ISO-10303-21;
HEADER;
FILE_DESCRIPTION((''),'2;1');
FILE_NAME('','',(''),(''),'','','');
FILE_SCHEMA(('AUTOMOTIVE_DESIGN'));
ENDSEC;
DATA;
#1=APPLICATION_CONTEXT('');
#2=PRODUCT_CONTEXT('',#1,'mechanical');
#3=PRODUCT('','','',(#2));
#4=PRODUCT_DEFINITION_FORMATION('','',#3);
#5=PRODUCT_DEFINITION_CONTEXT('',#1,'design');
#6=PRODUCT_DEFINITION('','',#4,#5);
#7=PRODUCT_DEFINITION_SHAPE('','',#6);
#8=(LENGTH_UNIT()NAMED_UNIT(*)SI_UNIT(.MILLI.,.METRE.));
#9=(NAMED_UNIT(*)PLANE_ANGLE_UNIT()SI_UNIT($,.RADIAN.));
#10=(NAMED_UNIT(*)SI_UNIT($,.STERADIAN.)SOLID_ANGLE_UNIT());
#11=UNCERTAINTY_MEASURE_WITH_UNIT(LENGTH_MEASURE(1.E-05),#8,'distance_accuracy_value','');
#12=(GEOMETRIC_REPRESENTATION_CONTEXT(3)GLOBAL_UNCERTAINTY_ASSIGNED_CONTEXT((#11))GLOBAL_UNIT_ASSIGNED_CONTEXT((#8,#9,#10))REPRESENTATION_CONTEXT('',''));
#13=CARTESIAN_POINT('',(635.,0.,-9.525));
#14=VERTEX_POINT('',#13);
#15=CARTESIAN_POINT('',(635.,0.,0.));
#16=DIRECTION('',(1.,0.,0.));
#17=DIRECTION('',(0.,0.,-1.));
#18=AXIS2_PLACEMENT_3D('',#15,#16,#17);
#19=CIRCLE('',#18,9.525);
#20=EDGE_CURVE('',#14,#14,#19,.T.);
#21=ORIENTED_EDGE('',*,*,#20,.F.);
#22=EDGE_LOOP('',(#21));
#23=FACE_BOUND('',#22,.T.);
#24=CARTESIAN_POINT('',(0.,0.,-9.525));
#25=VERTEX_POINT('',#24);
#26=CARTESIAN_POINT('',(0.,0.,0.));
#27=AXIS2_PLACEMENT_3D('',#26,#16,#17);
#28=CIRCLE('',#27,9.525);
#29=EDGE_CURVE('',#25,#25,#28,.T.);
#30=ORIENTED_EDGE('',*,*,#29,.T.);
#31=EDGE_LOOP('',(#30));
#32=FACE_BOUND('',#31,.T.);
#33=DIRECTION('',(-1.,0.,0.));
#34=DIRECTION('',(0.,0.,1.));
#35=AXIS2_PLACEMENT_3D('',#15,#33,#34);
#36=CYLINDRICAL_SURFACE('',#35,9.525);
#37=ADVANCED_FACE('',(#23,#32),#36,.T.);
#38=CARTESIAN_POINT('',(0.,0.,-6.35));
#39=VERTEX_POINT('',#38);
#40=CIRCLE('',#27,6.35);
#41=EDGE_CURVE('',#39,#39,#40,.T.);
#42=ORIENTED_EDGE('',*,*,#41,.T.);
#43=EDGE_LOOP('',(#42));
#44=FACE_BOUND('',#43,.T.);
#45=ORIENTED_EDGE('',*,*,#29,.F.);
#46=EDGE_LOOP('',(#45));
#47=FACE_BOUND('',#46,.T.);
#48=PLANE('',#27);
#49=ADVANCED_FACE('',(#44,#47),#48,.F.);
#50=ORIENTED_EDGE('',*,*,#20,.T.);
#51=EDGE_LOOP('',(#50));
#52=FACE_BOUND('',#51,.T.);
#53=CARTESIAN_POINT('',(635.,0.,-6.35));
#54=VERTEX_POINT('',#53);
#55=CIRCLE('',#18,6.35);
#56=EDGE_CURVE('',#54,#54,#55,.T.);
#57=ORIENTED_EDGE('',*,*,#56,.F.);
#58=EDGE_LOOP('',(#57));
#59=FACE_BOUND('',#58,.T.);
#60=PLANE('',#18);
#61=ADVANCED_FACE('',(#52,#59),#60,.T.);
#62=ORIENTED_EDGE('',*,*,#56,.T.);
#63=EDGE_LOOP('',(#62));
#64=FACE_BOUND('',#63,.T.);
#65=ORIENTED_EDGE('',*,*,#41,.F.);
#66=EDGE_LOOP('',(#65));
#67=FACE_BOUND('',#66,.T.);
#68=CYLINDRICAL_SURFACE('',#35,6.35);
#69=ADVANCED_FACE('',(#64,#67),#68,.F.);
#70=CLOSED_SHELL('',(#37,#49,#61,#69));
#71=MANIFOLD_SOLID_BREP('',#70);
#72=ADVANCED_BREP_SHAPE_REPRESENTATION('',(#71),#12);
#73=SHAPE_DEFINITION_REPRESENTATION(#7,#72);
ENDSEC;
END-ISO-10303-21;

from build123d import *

# Parameters (mm, degrees)
SKETCH1_R           = 9.525
SKETCH1_R_2         = 6.35
BOSS_EXTRUDE1_DEPTH = 635


with BuildPart() as part:
    # Sketch1 → Boss-Extrude1 (new body)
    with BuildSketch(Plane(origin=(0, 0, 0), x_dir=(0, 0, -1), z_dir=(1, 0, 0))):
        Circle(SKETCH1_R)
        Circle(SKETCH1_R_2, mode=Mode.SUBTRACT)
    extrude(amount=BOSS_EXTRUDE1_DEPTH)


solid = part.part
